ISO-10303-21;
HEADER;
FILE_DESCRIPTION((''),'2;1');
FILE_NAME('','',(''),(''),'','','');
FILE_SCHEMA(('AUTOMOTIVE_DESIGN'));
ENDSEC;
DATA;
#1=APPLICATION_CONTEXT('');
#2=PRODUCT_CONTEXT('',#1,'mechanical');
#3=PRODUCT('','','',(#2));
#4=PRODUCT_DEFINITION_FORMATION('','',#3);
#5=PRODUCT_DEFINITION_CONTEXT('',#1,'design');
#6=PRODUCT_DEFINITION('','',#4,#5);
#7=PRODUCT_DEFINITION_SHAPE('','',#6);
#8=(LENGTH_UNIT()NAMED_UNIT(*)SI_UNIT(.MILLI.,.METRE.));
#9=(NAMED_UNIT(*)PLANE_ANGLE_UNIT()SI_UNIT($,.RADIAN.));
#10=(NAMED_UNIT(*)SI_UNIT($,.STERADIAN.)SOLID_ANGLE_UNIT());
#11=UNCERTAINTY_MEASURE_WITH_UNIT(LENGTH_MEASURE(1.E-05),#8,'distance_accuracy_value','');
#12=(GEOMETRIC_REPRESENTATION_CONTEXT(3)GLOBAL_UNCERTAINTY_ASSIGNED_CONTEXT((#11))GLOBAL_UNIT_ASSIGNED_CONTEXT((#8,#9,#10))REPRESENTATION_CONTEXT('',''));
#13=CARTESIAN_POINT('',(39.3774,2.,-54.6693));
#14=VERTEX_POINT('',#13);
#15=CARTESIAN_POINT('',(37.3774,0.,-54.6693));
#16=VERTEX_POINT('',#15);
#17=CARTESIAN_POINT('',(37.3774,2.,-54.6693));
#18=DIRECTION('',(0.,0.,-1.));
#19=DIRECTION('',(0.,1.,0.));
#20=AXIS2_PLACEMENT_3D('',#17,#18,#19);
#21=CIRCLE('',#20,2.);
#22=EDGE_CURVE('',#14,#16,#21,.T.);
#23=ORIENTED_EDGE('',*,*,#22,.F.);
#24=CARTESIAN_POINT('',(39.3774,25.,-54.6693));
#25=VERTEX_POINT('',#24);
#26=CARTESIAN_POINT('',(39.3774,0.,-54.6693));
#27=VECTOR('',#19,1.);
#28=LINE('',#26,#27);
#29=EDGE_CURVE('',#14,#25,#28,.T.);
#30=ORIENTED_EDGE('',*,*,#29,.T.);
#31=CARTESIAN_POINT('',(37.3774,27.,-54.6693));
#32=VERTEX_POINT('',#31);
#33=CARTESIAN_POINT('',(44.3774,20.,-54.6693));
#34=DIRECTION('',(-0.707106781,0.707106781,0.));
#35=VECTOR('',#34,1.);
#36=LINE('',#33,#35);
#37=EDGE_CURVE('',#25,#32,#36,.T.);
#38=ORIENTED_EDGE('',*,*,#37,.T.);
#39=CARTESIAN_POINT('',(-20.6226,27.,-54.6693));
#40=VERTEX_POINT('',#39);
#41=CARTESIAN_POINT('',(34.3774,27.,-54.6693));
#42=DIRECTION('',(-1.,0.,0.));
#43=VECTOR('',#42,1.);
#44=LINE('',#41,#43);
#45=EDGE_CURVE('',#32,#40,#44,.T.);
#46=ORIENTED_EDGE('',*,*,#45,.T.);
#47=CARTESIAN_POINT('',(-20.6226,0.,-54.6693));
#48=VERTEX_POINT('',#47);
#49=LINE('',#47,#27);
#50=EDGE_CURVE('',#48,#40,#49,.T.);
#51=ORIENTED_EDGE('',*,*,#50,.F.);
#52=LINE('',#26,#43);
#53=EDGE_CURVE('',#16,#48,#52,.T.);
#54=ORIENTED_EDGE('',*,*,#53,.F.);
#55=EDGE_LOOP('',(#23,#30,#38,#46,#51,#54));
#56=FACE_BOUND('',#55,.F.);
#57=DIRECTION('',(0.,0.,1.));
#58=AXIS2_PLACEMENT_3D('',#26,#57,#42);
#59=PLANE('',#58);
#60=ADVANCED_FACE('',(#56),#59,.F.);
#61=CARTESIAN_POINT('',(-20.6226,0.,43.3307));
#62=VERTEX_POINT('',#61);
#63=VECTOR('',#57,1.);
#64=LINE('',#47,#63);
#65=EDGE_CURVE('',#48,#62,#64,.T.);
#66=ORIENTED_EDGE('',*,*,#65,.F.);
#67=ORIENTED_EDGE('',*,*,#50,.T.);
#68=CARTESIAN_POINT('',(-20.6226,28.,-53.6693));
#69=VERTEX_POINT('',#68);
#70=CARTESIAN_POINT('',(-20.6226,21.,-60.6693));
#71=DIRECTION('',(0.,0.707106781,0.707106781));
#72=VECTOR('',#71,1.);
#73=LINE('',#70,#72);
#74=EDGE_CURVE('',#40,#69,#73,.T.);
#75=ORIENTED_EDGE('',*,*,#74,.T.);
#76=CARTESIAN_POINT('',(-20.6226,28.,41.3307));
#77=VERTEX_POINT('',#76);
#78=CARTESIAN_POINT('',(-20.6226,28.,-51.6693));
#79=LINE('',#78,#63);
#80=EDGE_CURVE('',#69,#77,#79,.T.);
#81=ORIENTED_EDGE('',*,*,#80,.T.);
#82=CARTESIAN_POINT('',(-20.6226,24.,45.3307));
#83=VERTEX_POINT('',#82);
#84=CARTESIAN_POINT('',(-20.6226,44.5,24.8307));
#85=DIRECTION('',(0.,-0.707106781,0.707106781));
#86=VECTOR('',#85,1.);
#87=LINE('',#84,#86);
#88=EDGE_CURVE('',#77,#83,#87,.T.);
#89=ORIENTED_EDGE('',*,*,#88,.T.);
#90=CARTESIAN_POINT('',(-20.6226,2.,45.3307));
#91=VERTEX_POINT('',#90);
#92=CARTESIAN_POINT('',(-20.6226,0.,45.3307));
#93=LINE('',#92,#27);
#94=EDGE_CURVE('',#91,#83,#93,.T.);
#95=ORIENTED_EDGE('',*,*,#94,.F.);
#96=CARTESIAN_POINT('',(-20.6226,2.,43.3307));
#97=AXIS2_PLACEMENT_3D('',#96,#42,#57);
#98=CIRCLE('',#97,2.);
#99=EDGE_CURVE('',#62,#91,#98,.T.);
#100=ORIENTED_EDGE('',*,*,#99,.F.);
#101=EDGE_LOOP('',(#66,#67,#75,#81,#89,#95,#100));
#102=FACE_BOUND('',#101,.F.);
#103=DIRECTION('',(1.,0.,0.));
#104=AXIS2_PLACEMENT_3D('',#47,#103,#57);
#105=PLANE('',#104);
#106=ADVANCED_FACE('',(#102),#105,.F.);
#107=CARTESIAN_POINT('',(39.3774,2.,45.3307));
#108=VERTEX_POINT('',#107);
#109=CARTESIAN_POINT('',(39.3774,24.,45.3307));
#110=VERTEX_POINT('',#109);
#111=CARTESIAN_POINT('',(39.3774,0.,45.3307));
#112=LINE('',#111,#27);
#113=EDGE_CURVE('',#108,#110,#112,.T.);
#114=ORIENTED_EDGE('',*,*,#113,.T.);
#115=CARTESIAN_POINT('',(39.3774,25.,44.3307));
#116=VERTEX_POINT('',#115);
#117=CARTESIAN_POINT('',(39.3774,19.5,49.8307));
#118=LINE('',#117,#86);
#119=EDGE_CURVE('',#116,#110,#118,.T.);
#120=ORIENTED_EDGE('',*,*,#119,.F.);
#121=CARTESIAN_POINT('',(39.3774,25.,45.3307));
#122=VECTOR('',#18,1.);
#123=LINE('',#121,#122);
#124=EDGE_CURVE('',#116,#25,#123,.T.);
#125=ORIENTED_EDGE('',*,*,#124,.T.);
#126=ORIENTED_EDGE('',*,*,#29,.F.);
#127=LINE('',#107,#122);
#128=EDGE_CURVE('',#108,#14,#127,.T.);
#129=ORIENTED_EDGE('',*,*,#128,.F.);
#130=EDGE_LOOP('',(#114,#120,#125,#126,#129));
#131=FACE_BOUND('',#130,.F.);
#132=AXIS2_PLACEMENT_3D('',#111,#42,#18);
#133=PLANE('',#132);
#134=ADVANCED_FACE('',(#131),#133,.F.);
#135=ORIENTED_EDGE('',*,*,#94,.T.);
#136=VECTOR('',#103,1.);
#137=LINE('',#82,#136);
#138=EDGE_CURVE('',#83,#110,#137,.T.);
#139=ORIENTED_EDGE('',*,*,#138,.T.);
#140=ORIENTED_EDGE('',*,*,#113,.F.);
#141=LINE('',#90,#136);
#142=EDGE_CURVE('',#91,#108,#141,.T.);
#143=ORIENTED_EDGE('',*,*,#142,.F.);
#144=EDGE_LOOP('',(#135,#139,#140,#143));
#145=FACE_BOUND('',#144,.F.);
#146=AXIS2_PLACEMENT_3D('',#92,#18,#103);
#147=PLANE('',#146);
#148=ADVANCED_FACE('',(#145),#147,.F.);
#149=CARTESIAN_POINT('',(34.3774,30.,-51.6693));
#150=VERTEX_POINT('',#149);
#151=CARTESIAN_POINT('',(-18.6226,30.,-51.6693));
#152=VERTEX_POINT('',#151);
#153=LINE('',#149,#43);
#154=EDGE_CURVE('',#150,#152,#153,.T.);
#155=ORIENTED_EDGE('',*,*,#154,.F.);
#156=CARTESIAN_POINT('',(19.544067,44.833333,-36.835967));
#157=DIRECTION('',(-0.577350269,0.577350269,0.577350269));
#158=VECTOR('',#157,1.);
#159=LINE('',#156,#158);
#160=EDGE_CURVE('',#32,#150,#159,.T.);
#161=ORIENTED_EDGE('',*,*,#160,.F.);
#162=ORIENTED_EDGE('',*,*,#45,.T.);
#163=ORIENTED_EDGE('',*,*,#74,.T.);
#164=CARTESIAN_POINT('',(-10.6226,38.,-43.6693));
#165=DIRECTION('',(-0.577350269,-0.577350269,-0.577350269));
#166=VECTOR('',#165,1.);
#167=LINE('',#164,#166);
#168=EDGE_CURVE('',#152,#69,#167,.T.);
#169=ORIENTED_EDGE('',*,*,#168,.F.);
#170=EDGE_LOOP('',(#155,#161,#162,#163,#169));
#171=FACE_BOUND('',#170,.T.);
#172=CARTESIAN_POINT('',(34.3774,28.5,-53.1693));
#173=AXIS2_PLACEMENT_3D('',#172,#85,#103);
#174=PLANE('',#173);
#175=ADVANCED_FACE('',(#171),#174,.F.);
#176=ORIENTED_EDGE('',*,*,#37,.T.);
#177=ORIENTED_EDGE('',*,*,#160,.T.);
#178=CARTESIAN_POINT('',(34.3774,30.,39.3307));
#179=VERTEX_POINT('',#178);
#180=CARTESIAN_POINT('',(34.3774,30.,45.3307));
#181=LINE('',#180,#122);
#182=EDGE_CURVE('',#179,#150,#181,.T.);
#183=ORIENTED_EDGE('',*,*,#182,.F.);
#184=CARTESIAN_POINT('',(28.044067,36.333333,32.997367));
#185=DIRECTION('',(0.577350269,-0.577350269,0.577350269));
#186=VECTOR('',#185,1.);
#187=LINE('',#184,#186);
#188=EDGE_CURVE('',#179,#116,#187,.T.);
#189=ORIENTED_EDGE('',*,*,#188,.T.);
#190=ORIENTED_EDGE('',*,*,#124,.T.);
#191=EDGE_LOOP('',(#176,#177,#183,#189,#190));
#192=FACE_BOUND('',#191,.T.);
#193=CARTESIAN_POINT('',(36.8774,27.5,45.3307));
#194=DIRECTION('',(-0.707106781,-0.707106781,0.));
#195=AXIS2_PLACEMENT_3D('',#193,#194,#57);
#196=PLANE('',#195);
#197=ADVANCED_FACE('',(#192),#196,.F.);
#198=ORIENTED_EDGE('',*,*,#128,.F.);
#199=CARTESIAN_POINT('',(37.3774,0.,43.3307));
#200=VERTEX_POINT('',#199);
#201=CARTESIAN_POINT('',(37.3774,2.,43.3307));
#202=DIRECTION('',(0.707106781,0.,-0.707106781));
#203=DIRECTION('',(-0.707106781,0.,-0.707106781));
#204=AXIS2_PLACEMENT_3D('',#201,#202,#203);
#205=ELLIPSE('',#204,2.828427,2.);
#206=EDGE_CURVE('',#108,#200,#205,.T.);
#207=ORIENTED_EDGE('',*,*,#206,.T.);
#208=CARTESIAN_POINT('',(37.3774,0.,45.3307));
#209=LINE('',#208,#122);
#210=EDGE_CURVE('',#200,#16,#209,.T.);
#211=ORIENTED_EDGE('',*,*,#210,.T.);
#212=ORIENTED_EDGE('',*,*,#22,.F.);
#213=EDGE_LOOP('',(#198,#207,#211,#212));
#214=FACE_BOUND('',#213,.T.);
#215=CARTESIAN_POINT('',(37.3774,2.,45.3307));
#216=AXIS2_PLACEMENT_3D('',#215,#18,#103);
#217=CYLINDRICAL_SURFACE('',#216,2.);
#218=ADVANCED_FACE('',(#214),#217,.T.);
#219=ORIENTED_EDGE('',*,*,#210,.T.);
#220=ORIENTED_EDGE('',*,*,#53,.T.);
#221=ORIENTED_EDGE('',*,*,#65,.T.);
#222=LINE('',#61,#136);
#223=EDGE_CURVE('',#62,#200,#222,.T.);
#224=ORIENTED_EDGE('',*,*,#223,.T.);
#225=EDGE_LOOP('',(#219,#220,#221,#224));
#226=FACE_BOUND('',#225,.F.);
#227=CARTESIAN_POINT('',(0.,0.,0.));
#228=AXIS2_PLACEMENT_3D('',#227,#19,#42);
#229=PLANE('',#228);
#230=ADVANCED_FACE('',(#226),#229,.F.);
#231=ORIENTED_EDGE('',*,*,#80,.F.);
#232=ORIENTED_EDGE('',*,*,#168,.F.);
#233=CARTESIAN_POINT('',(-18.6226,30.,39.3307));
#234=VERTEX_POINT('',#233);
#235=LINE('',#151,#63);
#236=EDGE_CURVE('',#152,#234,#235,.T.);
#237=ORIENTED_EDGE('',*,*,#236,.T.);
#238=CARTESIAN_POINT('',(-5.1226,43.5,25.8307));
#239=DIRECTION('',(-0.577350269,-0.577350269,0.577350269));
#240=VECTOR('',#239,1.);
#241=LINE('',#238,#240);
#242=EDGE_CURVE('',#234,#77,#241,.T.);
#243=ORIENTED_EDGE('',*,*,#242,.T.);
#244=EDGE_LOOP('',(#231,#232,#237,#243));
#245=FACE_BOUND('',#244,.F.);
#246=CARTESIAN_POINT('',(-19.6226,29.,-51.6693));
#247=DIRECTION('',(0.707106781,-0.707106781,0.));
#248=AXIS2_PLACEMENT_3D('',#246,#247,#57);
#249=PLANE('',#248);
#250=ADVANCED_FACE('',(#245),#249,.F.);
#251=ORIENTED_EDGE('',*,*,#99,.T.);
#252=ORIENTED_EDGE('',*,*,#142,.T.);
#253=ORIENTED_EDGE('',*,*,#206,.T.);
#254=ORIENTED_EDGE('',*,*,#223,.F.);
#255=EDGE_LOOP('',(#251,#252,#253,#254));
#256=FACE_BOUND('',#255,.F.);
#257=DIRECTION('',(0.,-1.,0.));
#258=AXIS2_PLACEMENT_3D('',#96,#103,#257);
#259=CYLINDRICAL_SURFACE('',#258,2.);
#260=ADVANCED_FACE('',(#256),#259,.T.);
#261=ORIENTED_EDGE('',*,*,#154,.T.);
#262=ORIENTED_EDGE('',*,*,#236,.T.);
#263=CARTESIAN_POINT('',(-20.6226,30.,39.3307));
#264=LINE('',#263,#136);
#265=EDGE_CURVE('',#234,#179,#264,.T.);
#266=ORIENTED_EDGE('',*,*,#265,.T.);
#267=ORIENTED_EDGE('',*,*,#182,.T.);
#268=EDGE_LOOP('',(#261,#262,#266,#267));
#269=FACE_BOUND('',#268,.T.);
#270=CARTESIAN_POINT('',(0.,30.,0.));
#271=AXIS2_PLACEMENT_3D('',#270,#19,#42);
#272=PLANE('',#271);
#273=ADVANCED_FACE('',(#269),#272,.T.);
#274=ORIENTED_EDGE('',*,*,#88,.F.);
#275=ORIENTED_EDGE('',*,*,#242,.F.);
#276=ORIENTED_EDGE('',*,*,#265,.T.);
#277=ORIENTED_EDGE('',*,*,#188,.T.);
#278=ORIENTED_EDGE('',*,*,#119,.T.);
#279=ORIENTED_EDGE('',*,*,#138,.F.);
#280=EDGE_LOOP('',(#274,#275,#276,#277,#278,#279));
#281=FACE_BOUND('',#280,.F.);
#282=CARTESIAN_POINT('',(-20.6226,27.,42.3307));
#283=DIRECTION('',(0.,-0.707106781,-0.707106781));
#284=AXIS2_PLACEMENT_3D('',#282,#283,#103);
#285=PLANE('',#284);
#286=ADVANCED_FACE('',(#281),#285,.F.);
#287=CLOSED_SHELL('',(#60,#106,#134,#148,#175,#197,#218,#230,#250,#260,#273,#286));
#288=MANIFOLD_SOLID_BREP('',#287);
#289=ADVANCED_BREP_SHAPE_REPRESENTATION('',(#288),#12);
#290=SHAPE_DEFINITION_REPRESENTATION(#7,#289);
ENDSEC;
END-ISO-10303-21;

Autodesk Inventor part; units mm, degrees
ref_plane "YZ Plane" through (0, 0, 0) normal (1, 0, 0) x (0, 1, 0)
ref_plane "XZ Plane" through (0, 0, 0) normal (0, 1, 0) x (-1, 0, 0)
ref_plane "XY Plane" through (0, 0, 0) normal (0, 0, 1) x (1, 0, 0)
sketch "Sketch1" plane through (0, 0, 0) normal (0, 1, 0) x (-1, 0, 0)
  line L0 (20.6226, 45.3307) -> (-39.3774, 45.3307)
  line L1 (-39.3774, 45.3307) -> (-39.3774, -54.6693)
  line L2 (-39.3774, -54.6693) -> (20.6226, -54.6693)
  line L3 (20.6226, -54.6693) -> (20.6226, 45.3307)
  point P0 (0, 0)
  dimension "d0" = 100
  dimension "d1" = 60
extrude "Extrusion1" add sketch "Sketch1" along normal blind 30
chamfer "Chamfer1" distance 5 angle 45 1 edges at (39.3774, 30, -4.6693)
chamfer "Chamfer2" distance 6 angle 45 1 edges at (6.8774, 30, 45.3307)
chamfer "Chamfer3" distance 3 angle 45 1 edges at (6.8774, 30, -54.6693)
chamfer "Chamfer4" distance 2 angle 45 1 edges at (-20.6226, 30, -6.1693)
fillet "Fillet1" radius 2 2 edges at (39.3774, 0, -4.6693) (9.3774, 0, 45.3307)
sketch "Sketch2" plane through (0, 30, 0) normal (0, 1, 0) x (1, 0, 0)
  line L0 (34.3774, 51.6693) -> (34.3774, -39.3307) projected
  line L1 (-18.6226, -39.3307) -> (-18.6226, 51.6693) projected
  line L2 (34.3774, -39.3307) -> (-18.6226, -39.3307) projected
  line L3 (-18.6226, 51.6693) -> (34.3774, 51.6693) projected
  point P0 (0, 0)
  dimension "d17" = 53
  dimension "d18" = 91
properties part number "stone" material "Rubber, Silicone"
